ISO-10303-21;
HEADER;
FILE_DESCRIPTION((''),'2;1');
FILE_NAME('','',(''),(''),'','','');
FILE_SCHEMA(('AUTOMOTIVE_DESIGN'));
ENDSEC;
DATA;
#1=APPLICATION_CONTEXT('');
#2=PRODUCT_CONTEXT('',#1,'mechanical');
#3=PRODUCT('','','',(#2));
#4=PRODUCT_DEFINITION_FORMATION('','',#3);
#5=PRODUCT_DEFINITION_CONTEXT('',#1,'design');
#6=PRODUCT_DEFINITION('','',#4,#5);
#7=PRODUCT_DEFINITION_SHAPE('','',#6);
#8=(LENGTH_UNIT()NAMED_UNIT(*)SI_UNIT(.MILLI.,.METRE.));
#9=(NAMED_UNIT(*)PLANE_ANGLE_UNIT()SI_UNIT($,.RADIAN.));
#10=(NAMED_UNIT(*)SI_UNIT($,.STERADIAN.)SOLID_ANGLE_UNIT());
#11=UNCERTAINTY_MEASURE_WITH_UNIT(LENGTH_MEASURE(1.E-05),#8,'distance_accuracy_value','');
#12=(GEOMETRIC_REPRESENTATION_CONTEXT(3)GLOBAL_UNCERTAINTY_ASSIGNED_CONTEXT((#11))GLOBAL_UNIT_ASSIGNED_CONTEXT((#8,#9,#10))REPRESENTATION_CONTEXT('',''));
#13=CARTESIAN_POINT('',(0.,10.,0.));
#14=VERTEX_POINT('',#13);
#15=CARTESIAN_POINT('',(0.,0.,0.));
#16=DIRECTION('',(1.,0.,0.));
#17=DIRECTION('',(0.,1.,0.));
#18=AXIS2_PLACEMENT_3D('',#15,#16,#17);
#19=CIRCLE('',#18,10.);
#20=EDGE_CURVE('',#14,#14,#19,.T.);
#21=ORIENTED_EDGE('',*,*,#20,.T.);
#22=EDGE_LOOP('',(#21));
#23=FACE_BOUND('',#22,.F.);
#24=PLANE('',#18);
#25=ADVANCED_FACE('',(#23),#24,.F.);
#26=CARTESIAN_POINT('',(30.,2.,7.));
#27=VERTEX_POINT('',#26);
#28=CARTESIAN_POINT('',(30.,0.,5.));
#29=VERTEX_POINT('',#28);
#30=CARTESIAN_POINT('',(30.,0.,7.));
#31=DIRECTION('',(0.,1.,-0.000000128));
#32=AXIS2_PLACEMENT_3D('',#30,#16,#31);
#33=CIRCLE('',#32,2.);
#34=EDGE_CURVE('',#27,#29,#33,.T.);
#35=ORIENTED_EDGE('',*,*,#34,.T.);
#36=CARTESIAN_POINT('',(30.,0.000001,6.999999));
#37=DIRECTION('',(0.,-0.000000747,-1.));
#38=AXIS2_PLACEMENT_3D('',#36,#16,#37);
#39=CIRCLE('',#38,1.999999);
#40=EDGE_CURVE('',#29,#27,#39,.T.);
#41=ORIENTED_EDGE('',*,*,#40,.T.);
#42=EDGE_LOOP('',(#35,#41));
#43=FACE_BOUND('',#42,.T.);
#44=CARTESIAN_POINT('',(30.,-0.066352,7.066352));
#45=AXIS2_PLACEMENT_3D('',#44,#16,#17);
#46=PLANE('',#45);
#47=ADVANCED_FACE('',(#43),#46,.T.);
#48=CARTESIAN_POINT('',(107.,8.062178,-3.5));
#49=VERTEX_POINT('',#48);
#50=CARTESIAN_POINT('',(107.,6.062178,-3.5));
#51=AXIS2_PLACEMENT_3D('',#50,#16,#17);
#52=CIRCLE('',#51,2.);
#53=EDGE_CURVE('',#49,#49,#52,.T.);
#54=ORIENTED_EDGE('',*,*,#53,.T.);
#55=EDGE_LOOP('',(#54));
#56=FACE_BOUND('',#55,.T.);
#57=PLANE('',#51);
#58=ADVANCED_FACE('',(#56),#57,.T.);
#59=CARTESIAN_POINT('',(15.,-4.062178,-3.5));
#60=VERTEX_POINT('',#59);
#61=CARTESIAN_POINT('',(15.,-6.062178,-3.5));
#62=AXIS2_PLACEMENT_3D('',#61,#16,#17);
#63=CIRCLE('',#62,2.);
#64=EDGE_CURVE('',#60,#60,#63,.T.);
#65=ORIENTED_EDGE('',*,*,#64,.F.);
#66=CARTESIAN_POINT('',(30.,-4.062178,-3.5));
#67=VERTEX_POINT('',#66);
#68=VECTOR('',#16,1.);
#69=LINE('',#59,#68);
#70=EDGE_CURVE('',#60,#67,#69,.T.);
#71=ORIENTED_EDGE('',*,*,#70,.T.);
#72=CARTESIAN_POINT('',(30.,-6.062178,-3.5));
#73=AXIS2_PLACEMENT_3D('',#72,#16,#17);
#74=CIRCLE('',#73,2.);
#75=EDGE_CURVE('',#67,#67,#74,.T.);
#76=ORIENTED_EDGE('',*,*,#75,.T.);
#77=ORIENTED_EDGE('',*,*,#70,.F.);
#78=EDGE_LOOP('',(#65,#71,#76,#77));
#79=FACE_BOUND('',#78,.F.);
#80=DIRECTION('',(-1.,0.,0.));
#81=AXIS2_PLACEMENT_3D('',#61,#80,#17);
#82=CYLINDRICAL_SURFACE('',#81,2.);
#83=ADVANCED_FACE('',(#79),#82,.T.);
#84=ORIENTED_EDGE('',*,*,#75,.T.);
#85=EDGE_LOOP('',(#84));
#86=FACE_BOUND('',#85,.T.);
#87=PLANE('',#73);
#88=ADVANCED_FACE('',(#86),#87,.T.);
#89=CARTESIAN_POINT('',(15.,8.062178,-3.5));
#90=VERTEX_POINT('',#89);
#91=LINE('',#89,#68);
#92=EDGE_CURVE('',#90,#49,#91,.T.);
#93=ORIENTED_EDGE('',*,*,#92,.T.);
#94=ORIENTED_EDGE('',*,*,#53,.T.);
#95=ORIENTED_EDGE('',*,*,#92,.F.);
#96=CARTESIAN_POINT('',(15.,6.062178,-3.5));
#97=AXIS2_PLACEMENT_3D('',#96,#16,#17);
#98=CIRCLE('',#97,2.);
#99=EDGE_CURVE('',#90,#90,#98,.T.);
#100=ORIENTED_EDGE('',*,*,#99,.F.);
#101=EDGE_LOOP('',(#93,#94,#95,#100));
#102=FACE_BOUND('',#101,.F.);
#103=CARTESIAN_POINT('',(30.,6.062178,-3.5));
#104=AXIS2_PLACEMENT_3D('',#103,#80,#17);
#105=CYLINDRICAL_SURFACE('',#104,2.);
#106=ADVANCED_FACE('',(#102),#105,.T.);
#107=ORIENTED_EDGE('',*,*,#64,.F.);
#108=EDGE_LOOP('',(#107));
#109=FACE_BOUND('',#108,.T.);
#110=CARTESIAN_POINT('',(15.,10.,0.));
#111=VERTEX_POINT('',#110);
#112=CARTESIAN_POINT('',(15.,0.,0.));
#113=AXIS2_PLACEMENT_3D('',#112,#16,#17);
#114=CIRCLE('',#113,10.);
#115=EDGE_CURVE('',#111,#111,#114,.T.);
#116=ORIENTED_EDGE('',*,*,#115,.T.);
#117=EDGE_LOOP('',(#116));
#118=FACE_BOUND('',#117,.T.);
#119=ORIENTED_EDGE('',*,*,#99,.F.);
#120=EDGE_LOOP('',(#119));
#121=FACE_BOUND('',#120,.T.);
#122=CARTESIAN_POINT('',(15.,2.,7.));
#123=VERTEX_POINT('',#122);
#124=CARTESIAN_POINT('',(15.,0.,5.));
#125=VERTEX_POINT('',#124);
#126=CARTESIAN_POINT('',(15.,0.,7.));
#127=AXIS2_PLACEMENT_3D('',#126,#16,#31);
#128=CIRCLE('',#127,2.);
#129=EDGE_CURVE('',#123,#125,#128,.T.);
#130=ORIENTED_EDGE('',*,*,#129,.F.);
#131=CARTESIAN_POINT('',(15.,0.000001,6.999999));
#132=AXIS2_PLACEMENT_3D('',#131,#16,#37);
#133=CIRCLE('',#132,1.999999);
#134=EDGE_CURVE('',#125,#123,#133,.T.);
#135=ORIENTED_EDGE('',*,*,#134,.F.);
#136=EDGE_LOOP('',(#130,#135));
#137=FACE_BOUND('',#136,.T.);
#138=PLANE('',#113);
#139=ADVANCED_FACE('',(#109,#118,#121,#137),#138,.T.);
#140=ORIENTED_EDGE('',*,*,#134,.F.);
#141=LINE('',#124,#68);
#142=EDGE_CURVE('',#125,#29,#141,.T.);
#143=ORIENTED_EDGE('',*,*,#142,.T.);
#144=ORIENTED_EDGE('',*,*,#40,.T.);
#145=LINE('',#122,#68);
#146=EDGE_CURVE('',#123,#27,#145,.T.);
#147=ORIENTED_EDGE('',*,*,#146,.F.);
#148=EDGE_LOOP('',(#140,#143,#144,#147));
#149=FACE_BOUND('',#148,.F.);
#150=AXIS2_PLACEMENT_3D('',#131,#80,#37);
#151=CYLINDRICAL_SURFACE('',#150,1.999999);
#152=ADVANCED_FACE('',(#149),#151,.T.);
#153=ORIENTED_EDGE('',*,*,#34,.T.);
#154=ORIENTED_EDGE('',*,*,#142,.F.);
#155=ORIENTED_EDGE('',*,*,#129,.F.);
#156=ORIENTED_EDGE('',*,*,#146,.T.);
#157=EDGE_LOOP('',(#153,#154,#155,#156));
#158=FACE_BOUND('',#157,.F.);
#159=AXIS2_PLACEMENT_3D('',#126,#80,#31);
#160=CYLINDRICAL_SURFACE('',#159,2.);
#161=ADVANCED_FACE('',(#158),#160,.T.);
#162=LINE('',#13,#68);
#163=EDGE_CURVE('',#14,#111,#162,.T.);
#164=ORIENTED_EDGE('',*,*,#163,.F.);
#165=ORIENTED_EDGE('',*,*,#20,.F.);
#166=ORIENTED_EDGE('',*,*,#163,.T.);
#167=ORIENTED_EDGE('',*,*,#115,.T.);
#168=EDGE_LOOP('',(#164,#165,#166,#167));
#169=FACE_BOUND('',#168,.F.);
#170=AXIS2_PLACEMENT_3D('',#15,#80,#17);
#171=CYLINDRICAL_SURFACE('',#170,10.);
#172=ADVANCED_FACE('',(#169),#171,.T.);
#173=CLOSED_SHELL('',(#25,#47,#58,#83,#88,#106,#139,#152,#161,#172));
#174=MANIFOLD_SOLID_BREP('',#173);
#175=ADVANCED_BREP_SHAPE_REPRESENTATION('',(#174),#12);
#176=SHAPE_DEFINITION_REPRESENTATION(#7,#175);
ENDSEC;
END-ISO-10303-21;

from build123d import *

# Parameters (mm, degrees)
F0_R      = 10
F1_DEPTH  = 15
F2_R      = 2
F3_DEPTH  = 15
F3_FACE_R = 2
F4_DEPTH  = 77


with BuildPart() as f1:
    # F0 (on Right) → F1 (new body)
    with BuildSketch(Plane.YZ):
        Circle(F0_R)
    extrude(amount=F1_DEPTH)

    # F2 (on face) → F3 (join)
    with BuildSketch(Plane.YZ.offset(15)):
        with BuildLine():
            ThreePointArc((2, 7), (-1.414214, 8.414214), (0, 5))
            Line((0, 5), (0, 7))
            Line((0, 7), (2, 7))
        make_face()
        with BuildLine():
            Line((0, 7), (0, 5))
            ThreePointArc((0, 5), (1.414214, 5.585786), (2, 7))
            Line((2, 7), (0, 7))
        make_face()
        with Locations((6.062178, -3.5)):
            Circle(F2_R)
        with Locations((-6.062178, -3.5)):
            Circle(F2_R)
    extrude(amount=F3_DEPTH)

    # F3_face (on face) → F4 (join)
    with BuildSketch(Plane(origin=(30, 6.062178, -3.5), x_dir=(0, 1, 0), z_dir=(1, 0, 0))):
        Circle(F3_FACE_R)
    extrude(amount=F4_DEPTH)


solid = f1.part
